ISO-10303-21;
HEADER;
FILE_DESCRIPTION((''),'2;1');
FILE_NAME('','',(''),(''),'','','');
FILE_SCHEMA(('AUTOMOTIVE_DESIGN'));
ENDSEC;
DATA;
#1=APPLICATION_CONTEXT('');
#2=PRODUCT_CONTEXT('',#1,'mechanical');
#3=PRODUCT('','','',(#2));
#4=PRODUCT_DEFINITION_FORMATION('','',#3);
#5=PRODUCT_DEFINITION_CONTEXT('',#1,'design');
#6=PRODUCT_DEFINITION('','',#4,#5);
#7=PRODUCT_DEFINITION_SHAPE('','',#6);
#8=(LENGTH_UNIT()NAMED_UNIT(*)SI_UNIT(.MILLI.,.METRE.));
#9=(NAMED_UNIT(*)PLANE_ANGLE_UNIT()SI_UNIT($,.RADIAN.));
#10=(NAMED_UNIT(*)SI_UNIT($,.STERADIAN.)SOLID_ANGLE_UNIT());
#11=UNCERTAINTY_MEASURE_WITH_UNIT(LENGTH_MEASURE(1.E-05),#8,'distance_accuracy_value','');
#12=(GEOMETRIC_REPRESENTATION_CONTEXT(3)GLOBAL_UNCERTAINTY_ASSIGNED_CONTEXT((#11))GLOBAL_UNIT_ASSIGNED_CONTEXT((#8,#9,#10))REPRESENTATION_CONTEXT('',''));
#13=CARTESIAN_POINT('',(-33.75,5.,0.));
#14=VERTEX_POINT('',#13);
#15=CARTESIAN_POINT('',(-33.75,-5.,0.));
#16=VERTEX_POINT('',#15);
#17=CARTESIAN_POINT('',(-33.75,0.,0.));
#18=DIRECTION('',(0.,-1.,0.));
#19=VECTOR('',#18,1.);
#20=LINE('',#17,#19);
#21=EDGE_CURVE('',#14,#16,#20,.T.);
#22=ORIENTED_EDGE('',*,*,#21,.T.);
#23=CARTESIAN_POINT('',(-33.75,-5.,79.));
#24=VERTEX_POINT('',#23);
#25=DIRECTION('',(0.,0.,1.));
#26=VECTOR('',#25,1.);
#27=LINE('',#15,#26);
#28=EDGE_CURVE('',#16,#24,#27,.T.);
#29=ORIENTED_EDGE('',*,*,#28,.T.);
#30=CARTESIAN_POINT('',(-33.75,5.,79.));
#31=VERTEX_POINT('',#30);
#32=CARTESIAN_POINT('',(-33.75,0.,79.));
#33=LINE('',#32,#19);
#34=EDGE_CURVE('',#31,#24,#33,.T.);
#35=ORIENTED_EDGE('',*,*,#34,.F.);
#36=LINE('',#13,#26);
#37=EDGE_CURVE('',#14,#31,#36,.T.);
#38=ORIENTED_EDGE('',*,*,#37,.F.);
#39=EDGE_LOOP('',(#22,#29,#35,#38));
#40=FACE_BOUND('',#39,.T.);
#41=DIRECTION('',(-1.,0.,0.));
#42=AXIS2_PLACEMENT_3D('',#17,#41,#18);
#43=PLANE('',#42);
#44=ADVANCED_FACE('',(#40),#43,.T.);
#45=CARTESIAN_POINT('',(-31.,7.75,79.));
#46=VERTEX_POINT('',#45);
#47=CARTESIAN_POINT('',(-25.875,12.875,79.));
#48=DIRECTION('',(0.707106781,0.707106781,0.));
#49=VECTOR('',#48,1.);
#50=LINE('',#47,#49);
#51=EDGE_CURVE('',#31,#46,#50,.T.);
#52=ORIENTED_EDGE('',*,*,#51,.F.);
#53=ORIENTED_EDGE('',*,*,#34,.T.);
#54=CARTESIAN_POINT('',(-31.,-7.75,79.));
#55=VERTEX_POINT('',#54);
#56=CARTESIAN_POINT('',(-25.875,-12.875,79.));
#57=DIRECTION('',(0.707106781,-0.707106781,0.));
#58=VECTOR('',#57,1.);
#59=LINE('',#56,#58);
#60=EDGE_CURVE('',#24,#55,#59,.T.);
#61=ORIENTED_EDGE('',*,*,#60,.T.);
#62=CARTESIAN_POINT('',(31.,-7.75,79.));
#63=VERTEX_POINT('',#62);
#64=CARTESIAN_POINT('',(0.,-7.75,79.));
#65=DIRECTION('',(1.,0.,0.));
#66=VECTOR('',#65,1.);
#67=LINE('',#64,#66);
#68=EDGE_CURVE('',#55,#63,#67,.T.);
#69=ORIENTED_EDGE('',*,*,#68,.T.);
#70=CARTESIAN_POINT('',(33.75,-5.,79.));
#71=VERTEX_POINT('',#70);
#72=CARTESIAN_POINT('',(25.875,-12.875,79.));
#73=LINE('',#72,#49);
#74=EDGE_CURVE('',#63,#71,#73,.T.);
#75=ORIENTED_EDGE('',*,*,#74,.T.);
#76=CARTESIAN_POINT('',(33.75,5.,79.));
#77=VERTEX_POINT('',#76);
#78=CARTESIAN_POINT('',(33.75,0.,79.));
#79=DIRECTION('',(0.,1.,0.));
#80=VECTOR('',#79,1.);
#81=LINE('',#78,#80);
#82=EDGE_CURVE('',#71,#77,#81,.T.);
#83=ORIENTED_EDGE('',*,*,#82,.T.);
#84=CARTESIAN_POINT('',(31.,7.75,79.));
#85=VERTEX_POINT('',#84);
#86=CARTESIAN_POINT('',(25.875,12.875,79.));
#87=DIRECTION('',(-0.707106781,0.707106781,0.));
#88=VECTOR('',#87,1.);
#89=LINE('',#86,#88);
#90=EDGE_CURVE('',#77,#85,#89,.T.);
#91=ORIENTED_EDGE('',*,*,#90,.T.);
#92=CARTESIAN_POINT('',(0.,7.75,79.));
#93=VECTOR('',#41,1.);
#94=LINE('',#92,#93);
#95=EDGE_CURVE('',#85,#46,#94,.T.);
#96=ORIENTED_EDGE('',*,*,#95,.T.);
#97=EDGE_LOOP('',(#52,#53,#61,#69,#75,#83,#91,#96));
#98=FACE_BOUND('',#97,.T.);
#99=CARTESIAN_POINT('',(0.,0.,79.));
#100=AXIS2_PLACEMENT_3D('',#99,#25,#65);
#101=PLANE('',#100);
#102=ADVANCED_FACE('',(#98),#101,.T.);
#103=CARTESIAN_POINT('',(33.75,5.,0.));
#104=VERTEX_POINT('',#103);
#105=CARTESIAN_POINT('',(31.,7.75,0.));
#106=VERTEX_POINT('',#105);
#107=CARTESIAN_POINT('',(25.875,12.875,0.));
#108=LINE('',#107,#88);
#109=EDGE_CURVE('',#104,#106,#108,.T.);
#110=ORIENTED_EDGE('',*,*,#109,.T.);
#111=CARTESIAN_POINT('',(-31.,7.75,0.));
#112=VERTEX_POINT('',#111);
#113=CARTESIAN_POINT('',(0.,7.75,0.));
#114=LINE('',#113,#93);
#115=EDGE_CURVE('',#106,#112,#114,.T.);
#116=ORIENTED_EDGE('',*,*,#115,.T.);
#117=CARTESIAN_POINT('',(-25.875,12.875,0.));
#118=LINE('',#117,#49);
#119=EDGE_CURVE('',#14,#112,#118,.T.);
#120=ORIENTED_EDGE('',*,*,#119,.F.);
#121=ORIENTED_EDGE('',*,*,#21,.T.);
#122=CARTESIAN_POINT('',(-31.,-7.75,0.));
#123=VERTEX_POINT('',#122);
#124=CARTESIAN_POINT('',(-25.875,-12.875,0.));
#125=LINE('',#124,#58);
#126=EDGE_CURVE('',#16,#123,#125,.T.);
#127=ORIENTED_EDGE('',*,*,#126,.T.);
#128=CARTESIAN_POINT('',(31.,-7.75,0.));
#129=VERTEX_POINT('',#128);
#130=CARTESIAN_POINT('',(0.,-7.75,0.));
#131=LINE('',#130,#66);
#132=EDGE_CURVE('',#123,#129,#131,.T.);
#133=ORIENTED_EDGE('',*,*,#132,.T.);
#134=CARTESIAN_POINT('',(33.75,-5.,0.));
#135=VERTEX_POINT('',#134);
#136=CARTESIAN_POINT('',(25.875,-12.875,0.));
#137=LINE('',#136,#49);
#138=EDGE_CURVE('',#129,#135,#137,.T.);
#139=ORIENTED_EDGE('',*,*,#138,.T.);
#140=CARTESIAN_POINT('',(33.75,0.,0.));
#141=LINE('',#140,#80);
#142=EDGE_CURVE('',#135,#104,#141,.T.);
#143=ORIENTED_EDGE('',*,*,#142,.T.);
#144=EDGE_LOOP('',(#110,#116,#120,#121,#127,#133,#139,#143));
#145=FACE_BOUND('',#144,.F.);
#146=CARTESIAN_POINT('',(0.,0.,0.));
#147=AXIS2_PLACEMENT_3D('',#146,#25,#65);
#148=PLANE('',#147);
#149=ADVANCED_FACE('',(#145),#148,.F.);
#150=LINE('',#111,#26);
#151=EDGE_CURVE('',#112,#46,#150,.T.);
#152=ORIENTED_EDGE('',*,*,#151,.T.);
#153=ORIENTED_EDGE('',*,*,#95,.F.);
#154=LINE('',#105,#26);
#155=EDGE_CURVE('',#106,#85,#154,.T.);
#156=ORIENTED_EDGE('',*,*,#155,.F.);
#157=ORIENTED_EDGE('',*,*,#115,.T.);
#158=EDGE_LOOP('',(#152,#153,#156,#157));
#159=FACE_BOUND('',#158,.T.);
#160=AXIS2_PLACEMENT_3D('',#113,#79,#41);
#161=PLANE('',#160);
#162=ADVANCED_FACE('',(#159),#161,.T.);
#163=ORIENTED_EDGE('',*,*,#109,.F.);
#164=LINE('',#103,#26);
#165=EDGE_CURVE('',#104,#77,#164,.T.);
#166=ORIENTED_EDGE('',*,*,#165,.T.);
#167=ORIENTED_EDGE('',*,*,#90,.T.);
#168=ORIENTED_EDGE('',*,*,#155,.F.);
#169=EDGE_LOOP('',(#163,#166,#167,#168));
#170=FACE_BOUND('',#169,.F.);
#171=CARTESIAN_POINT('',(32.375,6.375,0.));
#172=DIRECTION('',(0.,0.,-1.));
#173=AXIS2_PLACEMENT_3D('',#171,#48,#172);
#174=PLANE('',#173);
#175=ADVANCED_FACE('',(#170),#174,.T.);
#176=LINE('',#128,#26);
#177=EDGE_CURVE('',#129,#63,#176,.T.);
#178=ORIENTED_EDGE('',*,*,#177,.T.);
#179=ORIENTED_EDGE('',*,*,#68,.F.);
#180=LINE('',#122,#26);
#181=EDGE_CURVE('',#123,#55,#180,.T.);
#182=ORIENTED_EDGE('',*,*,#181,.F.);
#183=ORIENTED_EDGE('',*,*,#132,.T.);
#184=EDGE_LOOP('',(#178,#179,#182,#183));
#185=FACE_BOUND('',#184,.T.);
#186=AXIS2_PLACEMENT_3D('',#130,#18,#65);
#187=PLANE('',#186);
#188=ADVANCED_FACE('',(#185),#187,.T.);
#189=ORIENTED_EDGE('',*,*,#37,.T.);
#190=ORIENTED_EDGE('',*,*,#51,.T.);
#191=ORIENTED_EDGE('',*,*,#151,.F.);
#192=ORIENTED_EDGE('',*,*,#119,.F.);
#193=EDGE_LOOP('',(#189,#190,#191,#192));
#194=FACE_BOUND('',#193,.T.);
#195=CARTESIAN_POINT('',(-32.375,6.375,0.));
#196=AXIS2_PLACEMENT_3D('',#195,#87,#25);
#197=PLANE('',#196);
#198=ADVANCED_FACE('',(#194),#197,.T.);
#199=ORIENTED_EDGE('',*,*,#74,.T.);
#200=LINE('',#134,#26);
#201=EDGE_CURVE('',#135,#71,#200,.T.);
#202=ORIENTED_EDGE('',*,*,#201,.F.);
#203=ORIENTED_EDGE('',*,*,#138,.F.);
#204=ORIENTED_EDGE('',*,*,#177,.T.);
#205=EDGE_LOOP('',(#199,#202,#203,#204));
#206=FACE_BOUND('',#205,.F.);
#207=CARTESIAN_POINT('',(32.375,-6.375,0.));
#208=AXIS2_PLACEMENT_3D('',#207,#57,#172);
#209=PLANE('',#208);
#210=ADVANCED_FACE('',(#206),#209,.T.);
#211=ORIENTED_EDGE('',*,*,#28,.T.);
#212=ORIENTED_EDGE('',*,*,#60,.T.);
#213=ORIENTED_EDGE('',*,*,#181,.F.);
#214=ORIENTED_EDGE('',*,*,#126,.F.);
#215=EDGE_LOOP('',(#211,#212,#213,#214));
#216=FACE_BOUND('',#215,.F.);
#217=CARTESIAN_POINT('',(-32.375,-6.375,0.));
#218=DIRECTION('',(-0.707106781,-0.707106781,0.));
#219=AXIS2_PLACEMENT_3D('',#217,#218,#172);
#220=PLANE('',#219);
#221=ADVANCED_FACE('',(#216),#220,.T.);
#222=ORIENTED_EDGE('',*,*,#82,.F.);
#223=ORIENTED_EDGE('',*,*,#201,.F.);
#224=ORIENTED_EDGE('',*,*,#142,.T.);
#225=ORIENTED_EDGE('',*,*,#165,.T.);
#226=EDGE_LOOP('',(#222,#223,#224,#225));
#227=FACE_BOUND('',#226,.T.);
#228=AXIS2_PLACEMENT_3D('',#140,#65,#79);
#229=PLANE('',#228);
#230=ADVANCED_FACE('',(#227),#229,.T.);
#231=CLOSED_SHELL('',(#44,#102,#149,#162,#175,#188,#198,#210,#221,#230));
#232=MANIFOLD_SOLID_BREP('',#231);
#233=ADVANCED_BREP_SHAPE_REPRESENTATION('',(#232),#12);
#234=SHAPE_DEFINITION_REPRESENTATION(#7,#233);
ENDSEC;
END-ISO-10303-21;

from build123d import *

# Parameters (mm, degrees)
F0_W    = 67.5
F0_H    = 15.5
F3_SIZE = 2.75


with BuildPart() as f2:
    # F2: sweep along a path in F1
    with BuildLine(Plane.XZ) as f2_path:
        Line((0, 0), (0, 79))
    # F0 (on Top) → F2 (sweep)
    with BuildSketch(Plane.XY):
        Rectangle(F0_W, F0_H)
    sweep(path=f2_path.line)

    # F3
    f3_edges = [f2.edges().sort_by_distance(p)[0] for p in [
        (33.75, -7.75, 39.5),
        (33.75, 7.75, 39.5),
        (-33.75, -7.75, 39.5),
        (-33.75, 7.75, 39.5),
    ]]
    chamfer(f3_edges, length=F3_SIZE)


solid = f2.part
